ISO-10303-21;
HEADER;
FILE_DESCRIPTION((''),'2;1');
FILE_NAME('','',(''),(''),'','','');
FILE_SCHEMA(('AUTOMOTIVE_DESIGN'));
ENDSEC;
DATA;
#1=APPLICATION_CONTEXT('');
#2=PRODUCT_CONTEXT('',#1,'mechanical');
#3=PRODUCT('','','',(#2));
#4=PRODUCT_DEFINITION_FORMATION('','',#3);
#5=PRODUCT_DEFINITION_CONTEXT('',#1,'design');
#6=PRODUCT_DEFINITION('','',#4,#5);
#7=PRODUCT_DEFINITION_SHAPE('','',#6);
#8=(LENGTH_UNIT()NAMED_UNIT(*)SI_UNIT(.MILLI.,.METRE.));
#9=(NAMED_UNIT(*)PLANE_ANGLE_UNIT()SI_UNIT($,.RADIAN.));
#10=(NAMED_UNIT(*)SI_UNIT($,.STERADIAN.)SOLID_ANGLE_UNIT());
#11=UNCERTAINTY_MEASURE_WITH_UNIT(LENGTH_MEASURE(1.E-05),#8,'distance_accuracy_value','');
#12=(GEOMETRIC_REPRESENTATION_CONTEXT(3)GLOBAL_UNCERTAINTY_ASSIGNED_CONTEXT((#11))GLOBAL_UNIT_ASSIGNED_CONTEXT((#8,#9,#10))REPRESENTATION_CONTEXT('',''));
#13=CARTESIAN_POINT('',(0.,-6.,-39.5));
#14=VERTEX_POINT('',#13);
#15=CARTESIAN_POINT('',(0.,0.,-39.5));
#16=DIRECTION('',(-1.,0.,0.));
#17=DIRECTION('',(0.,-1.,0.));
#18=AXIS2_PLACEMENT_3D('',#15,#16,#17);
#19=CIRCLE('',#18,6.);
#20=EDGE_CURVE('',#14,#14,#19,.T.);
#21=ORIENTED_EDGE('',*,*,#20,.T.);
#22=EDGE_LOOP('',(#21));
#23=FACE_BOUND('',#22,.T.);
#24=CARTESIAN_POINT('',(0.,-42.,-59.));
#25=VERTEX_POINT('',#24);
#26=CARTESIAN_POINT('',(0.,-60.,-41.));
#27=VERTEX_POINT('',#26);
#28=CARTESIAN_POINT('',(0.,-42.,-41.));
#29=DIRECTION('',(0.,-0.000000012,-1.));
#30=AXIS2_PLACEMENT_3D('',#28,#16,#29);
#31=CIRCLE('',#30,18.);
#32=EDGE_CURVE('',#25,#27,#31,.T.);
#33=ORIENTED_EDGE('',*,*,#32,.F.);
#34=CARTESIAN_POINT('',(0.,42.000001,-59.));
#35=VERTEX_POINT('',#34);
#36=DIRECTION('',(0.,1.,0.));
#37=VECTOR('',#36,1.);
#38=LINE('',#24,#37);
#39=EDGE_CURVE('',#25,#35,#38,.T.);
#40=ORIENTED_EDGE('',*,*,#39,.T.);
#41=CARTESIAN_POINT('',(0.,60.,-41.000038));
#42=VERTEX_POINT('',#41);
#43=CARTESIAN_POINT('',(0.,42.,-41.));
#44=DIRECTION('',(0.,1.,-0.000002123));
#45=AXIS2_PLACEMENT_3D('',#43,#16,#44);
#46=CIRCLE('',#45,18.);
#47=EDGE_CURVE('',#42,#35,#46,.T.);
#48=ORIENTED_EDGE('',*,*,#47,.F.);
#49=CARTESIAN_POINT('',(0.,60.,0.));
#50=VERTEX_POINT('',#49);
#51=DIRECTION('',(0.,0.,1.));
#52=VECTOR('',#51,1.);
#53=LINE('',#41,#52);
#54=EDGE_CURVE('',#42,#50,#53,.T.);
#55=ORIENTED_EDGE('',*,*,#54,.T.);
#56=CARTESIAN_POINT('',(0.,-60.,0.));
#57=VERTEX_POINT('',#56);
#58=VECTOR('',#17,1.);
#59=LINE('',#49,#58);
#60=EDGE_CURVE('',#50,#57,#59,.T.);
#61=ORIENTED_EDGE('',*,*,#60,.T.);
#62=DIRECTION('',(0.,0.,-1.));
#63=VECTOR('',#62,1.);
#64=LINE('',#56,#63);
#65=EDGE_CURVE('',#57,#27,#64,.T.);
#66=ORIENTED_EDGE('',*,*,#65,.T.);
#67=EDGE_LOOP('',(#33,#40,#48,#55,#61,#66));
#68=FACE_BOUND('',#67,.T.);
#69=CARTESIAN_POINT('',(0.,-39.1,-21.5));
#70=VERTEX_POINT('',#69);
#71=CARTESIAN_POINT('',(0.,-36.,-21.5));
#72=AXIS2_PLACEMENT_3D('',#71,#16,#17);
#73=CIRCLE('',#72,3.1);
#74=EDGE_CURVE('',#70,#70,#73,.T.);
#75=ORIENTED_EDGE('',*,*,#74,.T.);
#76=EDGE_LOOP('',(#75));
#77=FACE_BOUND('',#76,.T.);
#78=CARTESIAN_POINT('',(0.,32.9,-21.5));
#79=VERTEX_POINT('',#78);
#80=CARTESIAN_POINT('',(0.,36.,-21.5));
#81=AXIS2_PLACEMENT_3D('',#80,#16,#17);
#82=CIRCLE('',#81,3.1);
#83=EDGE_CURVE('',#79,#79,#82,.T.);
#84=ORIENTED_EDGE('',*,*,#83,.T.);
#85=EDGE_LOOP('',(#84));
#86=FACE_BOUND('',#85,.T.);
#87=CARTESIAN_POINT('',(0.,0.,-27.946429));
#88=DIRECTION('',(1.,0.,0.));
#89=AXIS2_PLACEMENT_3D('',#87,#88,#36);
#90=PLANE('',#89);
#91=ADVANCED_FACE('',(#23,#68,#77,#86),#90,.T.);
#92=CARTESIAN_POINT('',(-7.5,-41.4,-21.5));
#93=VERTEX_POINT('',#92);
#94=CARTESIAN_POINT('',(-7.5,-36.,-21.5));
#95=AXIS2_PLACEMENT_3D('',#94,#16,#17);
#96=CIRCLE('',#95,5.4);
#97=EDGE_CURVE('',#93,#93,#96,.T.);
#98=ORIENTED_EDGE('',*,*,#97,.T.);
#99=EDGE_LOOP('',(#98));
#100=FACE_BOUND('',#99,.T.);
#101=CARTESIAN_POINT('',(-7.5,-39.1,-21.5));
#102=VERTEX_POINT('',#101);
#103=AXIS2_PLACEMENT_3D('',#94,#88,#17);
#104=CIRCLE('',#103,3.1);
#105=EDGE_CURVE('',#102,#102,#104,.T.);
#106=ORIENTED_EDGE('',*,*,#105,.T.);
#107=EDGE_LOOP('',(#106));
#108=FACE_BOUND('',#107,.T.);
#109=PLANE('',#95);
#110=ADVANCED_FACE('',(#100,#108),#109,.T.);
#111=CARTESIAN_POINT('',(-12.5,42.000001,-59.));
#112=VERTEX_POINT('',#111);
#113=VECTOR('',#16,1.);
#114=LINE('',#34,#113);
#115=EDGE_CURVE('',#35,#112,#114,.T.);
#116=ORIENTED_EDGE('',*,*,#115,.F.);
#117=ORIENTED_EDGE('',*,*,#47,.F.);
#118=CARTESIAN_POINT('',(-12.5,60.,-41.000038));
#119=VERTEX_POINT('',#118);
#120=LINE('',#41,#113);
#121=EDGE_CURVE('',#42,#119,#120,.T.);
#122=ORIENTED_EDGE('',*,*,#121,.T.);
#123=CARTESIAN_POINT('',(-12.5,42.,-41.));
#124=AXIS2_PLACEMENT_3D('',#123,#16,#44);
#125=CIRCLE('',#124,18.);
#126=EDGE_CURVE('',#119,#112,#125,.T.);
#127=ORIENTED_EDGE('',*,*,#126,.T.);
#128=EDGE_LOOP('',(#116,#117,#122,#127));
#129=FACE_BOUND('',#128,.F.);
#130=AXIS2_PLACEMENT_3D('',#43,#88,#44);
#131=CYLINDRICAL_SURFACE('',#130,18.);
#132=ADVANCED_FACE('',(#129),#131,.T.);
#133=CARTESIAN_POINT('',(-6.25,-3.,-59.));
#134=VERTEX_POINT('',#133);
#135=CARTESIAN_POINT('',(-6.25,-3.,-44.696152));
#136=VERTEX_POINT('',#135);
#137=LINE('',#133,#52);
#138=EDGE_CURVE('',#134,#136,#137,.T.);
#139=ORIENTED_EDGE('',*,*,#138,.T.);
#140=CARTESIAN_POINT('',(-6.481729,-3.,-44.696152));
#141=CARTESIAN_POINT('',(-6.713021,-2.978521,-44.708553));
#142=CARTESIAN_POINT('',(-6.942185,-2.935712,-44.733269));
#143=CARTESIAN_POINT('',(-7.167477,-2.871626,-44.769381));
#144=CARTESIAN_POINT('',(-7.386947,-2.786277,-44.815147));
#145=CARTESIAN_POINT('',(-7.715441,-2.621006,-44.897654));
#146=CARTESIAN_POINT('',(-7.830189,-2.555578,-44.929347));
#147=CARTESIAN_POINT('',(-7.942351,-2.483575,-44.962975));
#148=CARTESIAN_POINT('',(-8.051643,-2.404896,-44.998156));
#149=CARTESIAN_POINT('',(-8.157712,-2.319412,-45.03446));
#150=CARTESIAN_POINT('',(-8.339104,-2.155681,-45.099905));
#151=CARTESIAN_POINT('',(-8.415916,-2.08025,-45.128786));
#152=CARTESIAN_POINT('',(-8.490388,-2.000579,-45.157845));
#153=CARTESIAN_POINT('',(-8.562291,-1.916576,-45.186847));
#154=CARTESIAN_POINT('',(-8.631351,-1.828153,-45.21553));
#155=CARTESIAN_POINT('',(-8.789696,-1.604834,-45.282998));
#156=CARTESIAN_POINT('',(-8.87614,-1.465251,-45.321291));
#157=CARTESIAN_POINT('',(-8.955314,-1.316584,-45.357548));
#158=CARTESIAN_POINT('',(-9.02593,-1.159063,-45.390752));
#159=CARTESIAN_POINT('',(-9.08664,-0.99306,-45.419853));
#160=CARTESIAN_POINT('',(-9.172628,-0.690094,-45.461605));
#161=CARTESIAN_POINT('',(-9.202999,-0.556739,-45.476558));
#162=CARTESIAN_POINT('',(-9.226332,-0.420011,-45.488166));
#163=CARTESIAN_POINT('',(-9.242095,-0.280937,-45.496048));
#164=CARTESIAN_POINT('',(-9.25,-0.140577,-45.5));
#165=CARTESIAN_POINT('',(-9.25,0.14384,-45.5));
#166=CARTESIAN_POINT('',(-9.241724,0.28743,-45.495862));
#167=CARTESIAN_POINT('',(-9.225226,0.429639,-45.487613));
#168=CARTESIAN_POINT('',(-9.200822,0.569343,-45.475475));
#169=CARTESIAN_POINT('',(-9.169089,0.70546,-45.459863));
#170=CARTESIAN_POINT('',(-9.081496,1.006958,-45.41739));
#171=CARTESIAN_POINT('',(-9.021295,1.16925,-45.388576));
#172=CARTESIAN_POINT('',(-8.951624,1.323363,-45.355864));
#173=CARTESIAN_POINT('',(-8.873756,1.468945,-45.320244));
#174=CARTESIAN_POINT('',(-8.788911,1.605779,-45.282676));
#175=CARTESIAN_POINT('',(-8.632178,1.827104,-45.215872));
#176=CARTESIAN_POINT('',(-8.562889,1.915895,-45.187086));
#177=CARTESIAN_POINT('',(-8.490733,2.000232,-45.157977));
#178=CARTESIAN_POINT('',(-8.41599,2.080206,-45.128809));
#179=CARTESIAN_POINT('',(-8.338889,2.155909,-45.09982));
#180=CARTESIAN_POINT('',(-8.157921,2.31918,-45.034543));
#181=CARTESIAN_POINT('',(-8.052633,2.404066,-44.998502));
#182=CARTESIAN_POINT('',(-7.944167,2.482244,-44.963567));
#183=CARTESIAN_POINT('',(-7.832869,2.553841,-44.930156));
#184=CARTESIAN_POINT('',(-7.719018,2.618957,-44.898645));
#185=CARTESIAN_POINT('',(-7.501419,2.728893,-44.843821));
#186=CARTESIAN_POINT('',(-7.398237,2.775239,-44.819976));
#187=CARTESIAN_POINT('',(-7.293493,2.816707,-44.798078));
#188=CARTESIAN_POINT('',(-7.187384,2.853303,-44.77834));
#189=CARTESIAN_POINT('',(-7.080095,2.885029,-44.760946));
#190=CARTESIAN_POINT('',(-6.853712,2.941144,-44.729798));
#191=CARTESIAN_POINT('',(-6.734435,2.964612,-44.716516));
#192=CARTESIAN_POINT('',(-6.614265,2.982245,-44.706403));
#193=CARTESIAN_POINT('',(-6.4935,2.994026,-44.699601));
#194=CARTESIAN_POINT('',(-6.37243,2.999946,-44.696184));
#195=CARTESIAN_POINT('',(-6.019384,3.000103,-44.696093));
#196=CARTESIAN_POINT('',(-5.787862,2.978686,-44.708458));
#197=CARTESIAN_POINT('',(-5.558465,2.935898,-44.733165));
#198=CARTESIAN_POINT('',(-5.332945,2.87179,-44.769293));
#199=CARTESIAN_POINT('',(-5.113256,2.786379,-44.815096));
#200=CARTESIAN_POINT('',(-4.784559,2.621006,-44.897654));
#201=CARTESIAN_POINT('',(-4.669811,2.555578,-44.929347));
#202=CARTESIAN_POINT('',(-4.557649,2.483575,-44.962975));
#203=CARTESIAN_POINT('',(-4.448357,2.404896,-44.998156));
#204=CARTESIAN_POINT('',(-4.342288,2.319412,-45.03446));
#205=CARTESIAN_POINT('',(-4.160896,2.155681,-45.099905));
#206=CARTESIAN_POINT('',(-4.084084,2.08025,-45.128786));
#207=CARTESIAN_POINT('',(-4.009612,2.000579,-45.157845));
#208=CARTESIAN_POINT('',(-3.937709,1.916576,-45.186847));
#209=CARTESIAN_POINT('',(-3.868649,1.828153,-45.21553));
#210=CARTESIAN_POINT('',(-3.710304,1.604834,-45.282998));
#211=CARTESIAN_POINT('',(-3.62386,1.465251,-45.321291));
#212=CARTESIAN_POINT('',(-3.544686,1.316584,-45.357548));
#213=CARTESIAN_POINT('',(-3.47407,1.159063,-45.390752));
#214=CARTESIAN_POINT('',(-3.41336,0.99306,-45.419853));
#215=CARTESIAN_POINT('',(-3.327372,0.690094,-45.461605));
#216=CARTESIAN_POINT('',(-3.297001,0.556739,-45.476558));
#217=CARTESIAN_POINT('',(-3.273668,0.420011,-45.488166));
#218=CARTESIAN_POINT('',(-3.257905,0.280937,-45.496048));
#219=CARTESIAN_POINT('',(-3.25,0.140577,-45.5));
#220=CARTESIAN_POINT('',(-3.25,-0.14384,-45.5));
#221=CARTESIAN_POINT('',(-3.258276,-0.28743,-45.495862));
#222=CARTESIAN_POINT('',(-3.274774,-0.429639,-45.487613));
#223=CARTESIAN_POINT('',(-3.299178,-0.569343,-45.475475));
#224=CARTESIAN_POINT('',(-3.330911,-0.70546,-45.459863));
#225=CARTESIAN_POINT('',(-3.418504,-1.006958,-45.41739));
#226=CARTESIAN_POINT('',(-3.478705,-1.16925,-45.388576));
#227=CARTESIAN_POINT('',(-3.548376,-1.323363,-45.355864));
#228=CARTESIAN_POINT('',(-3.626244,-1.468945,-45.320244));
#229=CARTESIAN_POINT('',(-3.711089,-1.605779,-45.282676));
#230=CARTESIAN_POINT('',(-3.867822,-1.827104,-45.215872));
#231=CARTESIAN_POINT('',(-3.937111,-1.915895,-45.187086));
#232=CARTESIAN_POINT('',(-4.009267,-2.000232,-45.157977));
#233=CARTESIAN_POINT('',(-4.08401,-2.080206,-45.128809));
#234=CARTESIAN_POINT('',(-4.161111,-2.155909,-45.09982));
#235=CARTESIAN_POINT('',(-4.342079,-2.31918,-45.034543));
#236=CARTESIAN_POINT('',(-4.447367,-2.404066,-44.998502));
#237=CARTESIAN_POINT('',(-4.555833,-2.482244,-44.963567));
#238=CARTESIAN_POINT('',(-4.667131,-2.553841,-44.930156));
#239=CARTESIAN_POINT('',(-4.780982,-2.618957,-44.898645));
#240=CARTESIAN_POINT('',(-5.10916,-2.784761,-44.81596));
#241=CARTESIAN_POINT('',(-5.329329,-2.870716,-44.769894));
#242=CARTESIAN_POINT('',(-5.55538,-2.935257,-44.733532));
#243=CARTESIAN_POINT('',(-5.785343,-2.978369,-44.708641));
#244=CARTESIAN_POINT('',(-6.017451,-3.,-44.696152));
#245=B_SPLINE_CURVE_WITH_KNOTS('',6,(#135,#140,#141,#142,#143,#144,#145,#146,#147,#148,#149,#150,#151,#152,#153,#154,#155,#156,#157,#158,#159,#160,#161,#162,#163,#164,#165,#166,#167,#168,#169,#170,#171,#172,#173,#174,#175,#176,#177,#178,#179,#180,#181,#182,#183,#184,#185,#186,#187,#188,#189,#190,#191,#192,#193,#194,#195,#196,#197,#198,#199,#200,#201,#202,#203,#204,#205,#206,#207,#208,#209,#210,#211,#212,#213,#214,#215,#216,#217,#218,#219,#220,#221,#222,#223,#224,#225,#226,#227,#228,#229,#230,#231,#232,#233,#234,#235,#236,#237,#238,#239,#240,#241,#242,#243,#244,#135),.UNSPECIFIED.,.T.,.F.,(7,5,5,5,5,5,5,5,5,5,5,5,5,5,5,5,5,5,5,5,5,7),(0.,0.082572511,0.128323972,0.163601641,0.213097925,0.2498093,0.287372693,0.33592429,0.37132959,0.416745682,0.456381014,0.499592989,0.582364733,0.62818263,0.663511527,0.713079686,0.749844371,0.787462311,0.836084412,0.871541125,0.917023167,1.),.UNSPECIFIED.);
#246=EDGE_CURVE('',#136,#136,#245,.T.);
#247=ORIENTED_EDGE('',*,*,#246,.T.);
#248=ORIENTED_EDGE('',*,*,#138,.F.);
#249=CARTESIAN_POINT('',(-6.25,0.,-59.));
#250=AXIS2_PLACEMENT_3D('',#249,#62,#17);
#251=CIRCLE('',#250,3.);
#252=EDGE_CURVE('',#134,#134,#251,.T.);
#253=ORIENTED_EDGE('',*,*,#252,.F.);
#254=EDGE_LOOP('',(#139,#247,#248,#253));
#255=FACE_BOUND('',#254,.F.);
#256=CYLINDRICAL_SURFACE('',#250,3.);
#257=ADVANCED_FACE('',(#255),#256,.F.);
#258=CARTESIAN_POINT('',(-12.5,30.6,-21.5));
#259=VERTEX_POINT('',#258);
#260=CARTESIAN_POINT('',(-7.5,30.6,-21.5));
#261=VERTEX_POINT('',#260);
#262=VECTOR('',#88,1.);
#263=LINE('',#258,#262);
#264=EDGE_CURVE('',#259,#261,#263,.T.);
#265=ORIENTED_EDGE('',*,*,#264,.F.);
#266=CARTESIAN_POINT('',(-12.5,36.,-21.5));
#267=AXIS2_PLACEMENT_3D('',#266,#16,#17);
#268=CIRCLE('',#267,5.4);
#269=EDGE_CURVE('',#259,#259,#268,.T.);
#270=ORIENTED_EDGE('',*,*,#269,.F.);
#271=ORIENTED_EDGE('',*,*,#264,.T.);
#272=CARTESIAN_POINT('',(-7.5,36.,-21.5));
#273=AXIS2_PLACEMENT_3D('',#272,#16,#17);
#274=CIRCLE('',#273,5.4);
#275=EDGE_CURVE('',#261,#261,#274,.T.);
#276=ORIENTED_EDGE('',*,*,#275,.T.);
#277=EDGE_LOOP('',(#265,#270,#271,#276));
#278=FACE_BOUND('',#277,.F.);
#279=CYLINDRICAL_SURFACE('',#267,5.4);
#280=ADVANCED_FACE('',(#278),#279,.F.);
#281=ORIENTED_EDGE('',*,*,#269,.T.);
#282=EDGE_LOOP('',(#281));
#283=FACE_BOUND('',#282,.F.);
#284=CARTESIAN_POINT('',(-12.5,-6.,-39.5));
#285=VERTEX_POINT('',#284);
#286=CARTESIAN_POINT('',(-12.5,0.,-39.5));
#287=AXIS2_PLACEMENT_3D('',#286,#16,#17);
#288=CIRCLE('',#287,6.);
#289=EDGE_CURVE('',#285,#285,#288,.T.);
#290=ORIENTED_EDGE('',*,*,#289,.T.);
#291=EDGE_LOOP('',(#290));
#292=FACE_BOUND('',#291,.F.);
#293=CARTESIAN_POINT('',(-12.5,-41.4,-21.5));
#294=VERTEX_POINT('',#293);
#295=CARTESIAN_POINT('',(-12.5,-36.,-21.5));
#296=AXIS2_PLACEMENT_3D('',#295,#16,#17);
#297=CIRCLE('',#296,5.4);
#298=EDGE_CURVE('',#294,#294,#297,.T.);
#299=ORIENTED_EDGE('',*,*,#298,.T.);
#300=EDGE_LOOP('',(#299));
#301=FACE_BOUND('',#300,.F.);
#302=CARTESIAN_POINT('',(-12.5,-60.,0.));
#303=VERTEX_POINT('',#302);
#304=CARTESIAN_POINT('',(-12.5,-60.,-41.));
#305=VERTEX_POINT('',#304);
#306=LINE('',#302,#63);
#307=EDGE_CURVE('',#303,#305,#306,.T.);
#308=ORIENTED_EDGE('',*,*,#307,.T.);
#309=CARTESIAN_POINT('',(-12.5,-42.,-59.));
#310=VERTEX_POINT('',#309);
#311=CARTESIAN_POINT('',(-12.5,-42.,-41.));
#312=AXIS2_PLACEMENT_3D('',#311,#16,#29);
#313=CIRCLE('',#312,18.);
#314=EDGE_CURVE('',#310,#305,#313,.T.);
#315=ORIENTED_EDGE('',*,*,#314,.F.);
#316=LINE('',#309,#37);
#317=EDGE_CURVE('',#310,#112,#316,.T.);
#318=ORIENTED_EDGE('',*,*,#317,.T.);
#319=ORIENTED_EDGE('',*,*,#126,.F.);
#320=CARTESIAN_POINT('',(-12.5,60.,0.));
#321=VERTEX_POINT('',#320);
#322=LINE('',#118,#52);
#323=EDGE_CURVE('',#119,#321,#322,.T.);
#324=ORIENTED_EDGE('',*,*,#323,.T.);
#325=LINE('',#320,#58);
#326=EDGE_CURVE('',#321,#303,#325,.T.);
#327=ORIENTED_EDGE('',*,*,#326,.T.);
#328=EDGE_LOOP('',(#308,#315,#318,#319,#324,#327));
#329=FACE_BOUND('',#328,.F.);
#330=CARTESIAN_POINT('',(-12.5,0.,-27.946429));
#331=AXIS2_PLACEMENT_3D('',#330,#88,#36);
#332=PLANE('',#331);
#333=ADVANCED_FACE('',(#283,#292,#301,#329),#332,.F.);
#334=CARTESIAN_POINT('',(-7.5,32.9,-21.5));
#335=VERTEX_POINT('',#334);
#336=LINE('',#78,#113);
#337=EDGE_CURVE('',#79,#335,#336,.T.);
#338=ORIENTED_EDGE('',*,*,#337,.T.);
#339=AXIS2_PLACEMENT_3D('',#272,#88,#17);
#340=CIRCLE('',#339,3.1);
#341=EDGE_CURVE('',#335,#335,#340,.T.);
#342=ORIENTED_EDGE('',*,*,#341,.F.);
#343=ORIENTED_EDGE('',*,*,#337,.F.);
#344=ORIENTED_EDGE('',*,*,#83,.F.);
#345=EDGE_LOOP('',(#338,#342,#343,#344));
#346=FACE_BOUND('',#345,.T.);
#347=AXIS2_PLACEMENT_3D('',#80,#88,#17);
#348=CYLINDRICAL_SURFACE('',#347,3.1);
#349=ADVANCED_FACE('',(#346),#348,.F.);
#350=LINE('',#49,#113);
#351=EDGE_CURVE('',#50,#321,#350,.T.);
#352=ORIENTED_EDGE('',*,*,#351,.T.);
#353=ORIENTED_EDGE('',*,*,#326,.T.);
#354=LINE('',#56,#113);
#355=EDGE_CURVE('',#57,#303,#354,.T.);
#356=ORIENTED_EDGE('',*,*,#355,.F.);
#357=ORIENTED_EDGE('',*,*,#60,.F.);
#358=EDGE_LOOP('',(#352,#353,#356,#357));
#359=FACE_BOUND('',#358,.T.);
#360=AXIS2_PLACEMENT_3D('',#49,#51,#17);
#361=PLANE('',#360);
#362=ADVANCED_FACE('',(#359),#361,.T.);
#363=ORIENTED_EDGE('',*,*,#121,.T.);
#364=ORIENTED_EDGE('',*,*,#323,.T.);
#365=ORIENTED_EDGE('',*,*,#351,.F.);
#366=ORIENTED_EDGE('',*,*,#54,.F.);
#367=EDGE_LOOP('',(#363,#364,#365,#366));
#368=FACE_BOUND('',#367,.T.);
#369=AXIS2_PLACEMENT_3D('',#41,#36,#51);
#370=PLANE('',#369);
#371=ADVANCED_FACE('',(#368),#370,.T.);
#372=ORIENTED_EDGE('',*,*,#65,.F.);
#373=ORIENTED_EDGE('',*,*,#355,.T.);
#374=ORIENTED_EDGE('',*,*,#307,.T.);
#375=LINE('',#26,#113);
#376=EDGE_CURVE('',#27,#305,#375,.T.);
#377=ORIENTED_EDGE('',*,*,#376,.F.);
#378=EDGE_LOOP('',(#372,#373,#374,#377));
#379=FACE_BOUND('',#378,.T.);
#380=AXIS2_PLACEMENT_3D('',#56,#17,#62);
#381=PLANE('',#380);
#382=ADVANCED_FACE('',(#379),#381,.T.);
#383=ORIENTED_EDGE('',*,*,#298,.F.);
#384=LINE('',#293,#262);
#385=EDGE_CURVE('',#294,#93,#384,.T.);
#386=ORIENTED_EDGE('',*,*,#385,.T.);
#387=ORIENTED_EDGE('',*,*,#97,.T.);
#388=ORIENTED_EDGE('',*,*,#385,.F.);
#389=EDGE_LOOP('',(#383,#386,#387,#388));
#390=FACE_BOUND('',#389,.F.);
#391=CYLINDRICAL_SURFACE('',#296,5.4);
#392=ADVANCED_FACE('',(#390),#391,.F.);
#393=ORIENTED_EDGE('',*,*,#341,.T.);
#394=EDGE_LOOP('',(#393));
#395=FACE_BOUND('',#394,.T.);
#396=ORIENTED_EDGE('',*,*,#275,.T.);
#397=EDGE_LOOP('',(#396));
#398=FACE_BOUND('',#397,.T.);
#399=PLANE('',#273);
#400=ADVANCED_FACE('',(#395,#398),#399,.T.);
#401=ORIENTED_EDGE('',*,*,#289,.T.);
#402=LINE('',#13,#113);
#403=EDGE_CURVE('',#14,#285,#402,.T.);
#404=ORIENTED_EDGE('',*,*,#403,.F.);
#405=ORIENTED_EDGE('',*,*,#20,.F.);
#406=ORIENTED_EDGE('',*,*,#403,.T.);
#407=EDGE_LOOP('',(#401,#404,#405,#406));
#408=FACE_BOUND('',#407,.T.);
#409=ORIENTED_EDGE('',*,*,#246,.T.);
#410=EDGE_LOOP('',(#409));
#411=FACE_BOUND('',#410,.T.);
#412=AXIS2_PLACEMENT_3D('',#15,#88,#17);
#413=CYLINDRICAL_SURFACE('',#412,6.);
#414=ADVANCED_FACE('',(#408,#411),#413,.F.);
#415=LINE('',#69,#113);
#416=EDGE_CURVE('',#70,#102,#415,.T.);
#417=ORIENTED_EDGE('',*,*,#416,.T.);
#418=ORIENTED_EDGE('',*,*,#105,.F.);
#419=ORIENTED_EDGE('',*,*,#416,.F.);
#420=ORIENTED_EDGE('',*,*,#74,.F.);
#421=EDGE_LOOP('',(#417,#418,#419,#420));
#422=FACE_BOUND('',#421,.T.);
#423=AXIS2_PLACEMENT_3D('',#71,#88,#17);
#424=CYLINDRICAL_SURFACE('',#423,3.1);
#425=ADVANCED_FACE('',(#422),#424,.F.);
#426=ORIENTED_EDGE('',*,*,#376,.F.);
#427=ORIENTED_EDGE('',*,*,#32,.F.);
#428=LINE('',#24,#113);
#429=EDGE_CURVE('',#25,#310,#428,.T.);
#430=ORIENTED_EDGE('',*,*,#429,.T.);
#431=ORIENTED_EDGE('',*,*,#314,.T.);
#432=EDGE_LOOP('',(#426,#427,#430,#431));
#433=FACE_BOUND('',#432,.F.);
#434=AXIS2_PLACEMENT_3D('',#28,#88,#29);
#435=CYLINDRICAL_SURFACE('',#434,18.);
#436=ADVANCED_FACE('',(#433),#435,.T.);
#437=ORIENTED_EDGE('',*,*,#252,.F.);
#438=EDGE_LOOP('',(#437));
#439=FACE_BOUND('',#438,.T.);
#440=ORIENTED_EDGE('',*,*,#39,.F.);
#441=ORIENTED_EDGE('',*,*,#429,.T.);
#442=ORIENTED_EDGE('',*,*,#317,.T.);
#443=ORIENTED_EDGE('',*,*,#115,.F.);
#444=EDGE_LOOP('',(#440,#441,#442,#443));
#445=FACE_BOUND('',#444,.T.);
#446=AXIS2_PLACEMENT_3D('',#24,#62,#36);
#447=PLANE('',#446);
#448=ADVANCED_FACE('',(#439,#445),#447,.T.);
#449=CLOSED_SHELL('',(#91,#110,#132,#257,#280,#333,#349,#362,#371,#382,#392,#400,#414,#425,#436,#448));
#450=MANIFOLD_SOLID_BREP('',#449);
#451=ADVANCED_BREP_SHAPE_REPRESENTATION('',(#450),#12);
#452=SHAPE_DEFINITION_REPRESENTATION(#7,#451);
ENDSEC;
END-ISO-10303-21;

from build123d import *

# Parameters (mm, degrees)
SKETCH_R        = 6
SKETCH_R_2      = 3.1
PAD_DEPTH       = 12.5
SKETCH001_R     = 5.4
POCKET_DEPTH    = 5
SKETCH003_R     = 3
POCKET001_DEPTH = 15


with BuildPart() as part:
    # Sketch → Pad (new body)
    with BuildSketch(Plane(origin=(0, 0, 0), x_dir=(0, -1, 0), z_dir=(-1, 0, 0))):
        with BuildLine():
            Line((-60, 0), (60, 0))
            Line((60, 0), (60, -41))
            ThreePointArc((42, -59), (54.727922, -53.727922), (60, -41))
            Line((42, -59), (-42.000001, -59))
            ThreePointArc((-60, -41.000038), (-54.727909, -53.727935), (-42.000001, -59))
            Line((-60, -41.000038), (-60, 0))
        make_face()
        with Locations((0, -39.5)):
            Circle(SKETCH_R, mode=Mode.SUBTRACT)
        with Locations((-36, -21.5)):
            Circle(SKETCH_R_2, mode=Mode.SUBTRACT)
        with Locations((36, -21.5)):
            Circle(SKETCH_R_2, mode=Mode.SUBTRACT)
    extrude(amount=PAD_DEPTH)

    # Sketch001 → Pocket (cut)
    with BuildSketch(Plane(origin=(-12.5, 0, 0), x_dir=(0, -1, 0), z_dir=(-1, 0, 0))):
        with Locations((-36, -21.5)):
            Circle(SKETCH001_R)
        with Locations((36, -21.5)):
            Circle(SKETCH001_R)
    extrude(amount=-POCKET_DEPTH, mode=Mode.SUBTRACT)

    # Sketch003 → Pocket001 (cut)
    with BuildSketch(Plane(origin=(0, 0, -59), x_dir=(0, -1, 0), z_dir=(0, 0, -1))):
        with Locations((0, 6.25)):
            Circle(SKETCH003_R)
    extrude(amount=-POCKET001_DEPTH, mode=Mode.SUBTRACT)


solid = part.part
